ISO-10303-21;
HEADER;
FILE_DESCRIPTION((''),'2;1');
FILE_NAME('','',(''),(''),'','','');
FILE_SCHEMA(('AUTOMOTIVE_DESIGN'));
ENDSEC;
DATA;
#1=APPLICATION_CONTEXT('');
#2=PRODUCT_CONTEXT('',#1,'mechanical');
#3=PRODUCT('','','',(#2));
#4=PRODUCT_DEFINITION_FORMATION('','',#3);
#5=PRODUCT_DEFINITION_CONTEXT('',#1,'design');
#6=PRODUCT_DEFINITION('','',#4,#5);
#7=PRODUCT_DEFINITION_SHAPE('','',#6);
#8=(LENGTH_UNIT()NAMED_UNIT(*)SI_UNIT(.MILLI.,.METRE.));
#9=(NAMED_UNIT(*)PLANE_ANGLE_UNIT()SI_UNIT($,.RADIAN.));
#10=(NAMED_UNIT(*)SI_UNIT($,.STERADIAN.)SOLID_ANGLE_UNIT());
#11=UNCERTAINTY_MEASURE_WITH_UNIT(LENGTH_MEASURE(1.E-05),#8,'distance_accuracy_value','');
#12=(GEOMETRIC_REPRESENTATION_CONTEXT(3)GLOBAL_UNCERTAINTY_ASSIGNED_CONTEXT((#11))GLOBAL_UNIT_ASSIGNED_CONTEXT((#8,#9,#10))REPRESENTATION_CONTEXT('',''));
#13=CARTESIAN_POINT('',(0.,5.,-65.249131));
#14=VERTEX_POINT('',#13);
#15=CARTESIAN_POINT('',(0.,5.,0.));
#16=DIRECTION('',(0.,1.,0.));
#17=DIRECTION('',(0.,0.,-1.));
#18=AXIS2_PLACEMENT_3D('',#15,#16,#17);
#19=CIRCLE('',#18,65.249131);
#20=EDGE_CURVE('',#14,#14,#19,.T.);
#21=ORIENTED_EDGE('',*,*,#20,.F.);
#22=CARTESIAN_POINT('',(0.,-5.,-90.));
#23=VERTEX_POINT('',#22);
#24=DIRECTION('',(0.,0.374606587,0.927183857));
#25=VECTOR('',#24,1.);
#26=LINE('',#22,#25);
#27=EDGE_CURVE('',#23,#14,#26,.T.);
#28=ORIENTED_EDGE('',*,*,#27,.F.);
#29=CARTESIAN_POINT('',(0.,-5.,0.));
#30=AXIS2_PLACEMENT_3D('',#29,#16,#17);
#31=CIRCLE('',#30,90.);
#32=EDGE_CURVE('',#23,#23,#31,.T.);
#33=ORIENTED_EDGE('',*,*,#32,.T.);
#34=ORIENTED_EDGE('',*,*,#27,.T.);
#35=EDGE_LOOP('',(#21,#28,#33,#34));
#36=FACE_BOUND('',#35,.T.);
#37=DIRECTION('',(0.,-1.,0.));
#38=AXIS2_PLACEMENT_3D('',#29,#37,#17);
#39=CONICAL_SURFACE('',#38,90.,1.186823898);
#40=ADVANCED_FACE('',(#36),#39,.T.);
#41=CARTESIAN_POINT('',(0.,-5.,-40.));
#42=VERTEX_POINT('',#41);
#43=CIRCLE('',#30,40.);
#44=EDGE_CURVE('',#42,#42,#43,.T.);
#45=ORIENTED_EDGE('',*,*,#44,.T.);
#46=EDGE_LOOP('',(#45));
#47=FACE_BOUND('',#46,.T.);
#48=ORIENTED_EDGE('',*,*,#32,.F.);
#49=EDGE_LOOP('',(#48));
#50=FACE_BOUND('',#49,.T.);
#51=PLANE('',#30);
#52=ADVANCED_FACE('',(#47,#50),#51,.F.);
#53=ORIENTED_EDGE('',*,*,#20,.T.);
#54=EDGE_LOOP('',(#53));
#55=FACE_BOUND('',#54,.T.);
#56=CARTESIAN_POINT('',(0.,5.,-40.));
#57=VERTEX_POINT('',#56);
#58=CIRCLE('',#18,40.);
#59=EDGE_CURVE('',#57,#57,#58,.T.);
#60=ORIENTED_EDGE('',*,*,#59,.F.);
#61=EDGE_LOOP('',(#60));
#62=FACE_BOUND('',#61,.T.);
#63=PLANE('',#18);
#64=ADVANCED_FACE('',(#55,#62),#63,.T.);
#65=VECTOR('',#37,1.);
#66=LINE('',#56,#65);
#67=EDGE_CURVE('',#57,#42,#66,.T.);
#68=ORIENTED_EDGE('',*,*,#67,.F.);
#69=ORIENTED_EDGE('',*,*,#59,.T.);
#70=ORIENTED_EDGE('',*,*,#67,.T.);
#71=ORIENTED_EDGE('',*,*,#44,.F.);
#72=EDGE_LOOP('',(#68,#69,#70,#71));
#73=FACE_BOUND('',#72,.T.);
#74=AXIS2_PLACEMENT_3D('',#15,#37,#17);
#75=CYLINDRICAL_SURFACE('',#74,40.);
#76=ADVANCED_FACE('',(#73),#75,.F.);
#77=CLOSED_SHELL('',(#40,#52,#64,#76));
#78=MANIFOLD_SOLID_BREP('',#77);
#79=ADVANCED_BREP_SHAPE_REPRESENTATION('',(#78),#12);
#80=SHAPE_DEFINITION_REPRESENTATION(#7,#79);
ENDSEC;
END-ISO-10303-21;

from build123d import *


with BuildPart() as f1:
    # F0 (on Right) → F1 (revolve)
    with BuildSketch(Plane.YZ):
        Polygon((5, -40), (-5, -40), (-5, -90), (5, -65.249131), align=None)
    revolve(axis=Axis((0, 5.912163, 0), (0, 1, 0)))


solid = f1.part
